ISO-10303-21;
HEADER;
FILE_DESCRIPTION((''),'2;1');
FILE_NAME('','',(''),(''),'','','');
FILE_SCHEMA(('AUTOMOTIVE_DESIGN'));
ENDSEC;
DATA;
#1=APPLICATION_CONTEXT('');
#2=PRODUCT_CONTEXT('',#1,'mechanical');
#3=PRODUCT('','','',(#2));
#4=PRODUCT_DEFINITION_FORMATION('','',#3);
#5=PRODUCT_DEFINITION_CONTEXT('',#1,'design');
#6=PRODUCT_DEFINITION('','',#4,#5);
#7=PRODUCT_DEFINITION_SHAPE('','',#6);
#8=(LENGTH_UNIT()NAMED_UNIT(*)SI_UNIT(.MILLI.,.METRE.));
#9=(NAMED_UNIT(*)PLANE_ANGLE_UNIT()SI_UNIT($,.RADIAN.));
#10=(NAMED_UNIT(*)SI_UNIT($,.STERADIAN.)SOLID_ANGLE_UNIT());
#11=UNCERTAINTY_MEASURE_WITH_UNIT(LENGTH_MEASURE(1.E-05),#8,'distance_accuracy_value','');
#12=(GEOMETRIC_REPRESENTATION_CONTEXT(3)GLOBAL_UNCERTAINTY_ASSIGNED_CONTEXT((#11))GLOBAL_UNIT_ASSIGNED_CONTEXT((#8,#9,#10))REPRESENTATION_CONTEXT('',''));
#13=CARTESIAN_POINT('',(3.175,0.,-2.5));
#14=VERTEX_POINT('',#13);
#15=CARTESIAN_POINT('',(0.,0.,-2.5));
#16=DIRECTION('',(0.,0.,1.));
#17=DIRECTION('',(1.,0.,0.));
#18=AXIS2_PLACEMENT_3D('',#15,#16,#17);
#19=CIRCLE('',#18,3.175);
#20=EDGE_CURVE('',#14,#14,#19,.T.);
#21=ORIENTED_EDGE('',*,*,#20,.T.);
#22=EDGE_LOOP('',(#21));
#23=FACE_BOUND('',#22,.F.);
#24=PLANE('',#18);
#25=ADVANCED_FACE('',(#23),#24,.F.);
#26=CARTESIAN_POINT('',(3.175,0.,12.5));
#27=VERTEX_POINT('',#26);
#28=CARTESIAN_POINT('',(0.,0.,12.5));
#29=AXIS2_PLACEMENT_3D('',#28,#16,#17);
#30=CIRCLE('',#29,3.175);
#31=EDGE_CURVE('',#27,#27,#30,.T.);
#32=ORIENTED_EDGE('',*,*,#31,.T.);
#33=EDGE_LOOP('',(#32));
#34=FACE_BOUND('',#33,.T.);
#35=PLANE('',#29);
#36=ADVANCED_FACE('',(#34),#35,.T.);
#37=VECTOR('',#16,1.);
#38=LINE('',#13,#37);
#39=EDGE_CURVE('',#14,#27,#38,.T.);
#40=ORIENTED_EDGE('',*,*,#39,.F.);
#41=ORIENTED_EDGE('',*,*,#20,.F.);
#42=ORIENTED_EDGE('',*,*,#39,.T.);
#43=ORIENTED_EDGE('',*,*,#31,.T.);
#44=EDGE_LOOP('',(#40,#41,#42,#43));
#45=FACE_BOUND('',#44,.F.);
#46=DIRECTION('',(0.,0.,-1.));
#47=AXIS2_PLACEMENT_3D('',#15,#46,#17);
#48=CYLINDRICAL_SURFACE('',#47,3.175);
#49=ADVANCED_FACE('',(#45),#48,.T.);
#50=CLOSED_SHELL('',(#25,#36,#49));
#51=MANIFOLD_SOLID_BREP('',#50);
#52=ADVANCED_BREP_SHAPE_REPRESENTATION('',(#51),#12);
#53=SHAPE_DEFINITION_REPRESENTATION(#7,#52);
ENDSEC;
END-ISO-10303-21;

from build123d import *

# Parameters (mm, degrees)
CYLINDER_R     = 3.175
CYLINDER_DEPTH = 15


with BuildPart() as part:
    # Cylinder → Cylinder (new body)
    with BuildSketch(Plane.XY.offset(-2.5)):
        Circle(CYLINDER_R)
    extrude(amount=CYLINDER_DEPTH)


solid = part.part
